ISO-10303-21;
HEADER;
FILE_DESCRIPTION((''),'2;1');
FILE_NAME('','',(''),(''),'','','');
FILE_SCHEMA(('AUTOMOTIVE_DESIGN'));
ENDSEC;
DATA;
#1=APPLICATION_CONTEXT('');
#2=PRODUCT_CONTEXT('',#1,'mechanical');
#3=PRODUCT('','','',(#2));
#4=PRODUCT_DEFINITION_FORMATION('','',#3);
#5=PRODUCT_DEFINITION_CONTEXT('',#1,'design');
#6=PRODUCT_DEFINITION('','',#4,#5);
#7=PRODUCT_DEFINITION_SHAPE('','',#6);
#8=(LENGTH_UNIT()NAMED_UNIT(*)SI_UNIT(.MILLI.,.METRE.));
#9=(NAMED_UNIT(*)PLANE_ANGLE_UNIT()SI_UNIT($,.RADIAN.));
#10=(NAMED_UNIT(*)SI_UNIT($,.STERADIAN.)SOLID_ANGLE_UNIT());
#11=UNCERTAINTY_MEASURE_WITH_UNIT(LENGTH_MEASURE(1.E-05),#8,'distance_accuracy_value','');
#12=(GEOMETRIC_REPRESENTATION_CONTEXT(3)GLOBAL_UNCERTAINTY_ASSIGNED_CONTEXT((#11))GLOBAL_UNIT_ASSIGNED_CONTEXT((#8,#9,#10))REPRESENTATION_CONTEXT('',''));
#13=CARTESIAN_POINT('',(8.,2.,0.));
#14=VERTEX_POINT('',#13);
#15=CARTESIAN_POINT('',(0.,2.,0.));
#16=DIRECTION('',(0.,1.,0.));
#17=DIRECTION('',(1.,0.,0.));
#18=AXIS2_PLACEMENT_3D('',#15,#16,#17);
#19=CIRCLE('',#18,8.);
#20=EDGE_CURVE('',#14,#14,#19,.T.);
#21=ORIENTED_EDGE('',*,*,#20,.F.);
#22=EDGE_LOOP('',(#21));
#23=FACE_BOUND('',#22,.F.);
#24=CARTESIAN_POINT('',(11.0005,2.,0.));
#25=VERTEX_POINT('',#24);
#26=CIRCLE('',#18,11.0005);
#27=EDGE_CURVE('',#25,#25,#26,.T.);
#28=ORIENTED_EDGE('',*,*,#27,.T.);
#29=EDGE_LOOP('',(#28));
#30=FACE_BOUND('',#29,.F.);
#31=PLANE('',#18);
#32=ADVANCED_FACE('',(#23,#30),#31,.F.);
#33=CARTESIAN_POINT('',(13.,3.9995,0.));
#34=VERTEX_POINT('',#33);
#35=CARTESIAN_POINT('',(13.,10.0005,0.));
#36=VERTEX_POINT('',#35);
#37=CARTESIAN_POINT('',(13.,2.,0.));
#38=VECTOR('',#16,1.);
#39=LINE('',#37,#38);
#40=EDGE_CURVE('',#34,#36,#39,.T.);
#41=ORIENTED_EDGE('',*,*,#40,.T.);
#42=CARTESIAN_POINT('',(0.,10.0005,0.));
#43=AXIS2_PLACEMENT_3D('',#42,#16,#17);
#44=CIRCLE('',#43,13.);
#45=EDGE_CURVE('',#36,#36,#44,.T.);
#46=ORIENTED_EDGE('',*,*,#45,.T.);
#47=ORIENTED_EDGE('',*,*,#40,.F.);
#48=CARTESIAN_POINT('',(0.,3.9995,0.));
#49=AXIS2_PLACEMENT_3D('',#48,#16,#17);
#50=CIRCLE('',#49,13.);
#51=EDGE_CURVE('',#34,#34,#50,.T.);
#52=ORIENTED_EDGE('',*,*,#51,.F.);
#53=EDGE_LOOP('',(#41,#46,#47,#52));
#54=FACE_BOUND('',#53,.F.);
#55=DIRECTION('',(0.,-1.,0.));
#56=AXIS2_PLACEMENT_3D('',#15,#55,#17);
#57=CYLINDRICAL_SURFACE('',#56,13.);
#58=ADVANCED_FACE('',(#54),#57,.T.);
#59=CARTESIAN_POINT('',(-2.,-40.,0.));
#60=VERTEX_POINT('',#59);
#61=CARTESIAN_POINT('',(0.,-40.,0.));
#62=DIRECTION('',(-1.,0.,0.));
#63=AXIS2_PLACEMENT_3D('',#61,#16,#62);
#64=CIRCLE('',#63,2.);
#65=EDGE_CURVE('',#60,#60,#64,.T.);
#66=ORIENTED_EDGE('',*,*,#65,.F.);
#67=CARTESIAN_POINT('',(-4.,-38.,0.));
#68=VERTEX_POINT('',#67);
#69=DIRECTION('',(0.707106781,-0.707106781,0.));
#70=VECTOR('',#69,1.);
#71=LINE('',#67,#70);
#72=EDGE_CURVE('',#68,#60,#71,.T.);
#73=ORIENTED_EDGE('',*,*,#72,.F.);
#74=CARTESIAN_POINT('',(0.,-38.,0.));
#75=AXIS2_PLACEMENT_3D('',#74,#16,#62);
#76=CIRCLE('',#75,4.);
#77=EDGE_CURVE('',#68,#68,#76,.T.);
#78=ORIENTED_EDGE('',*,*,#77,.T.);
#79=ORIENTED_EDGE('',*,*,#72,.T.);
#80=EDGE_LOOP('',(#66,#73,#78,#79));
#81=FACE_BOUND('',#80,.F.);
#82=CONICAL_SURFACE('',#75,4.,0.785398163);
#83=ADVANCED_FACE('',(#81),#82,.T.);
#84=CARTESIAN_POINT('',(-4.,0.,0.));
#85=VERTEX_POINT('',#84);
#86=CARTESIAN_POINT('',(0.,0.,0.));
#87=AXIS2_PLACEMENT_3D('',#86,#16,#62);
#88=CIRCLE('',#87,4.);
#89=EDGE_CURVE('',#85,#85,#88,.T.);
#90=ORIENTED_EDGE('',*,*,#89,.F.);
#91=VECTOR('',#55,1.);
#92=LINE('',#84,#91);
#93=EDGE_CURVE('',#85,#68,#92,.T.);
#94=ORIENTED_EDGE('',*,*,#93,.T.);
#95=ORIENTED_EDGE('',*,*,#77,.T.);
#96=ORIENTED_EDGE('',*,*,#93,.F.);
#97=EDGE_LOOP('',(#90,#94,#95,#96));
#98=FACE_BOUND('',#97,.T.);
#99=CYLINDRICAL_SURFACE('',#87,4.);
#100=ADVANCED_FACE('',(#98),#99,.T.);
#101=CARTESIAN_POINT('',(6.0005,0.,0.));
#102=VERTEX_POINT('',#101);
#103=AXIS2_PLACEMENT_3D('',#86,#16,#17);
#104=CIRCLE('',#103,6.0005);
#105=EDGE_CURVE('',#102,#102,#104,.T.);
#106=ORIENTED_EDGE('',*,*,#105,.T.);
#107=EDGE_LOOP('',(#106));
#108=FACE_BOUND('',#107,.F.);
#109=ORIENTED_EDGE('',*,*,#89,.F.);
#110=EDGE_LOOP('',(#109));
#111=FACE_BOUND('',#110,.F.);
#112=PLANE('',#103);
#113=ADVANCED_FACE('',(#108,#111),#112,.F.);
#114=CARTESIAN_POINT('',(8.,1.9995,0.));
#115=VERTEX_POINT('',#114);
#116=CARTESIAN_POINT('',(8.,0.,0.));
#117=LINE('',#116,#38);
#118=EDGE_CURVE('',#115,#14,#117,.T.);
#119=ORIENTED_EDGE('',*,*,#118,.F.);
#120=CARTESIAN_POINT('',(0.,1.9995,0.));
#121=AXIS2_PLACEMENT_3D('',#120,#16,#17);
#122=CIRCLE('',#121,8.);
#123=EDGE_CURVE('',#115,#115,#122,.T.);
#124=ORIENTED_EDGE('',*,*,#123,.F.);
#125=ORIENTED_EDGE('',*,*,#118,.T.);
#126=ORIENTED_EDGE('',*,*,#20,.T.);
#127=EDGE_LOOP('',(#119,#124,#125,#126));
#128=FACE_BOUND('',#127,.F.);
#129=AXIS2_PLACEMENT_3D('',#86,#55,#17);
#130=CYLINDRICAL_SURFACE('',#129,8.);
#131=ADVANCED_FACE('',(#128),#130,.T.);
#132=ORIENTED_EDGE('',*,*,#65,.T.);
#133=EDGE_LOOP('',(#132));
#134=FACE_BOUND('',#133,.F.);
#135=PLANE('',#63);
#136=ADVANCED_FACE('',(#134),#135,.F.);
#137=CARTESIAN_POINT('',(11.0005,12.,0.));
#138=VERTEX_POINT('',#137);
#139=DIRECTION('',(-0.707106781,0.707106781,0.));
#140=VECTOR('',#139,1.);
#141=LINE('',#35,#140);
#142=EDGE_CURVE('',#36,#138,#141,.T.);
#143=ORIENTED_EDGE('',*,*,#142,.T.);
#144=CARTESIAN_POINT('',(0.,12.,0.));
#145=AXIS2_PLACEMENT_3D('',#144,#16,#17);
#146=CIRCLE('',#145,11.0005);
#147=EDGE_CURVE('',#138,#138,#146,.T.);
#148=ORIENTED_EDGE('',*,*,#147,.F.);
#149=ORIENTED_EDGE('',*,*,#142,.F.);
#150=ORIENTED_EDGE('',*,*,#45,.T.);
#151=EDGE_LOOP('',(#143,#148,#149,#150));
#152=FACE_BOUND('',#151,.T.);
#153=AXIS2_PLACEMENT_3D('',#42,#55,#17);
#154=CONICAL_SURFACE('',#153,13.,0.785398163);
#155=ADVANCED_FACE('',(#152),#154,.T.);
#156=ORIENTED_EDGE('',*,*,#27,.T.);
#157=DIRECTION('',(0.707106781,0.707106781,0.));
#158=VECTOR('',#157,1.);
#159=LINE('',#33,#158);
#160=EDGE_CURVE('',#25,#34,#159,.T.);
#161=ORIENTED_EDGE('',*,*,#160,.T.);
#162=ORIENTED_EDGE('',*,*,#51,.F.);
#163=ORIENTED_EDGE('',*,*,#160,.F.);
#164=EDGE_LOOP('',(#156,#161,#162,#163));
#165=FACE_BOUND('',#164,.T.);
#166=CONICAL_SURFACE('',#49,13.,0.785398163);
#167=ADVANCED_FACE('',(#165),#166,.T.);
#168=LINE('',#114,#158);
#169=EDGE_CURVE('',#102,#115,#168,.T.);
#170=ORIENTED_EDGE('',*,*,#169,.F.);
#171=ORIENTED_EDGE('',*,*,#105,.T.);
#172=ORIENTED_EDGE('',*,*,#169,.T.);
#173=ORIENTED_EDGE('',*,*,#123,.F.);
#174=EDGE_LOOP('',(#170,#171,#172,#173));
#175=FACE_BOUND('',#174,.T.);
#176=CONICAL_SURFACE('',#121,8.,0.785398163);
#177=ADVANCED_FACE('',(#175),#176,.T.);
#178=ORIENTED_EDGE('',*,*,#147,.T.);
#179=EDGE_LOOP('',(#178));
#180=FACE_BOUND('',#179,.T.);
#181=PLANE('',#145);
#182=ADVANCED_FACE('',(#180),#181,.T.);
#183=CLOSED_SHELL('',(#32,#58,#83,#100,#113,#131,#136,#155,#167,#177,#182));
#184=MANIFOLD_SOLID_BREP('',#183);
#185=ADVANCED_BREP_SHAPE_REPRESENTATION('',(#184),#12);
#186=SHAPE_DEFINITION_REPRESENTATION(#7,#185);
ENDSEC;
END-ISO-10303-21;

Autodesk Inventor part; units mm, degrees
ref_plane "YZ Plane" through (0, 0, 0) normal (1, 0, 0) x (0, 1, 0)
ref_plane "XZ Plane" through (0, 0, 0) normal (0, 1, 0) x (-1, 0, 0)
ref_plane "XY Plane" through (0, 0, 0) normal (0, 0, 1) x (1, 0, 0)
sketch "Body Cross Section" plane through (0, 0, 0) normal (0, 1, 0) x (-1, 0, 0)
  circle A0 centre (0, 0) radius 4
  dimension "d0" = 8
extrude "Body" add sketch "Body Cross Section" against normal blind 40
sketch "Base Cross Section" plane through (0, 0, 0) normal (0, 1, 0) x (1, 0, 0)
  circle A0 centre (0, 0) radius 8
  dimension "d3" = 16
extrude "Base" add sketch "Base Cross Section" along normal blind 2
sketch "Head Cross Section" plane through (0, 2, 0) normal (0, 1, 0) x (1, 0, 0)
  circle A0 centre (0, 0) radius 13
  dimension "d6" = 26
extrude "Head" add sketch "Head Cross Section" along normal blind 10
thread "Thread" size "M8x1.25" class "6g" standard "ANSI Metric M Profile" full length
chamfer "Body Chamfer" distance 2 angle 45 1 edges at (4, -40, 0)
chamfer "Head Chamfer" distance 2 angle 45 3 edges at (-13, 12, 0) (-13, 2, 0) (-8, 0, 0)
properties part number "P0480.080-040-A4" material "Stainless Steel AISI 317"
